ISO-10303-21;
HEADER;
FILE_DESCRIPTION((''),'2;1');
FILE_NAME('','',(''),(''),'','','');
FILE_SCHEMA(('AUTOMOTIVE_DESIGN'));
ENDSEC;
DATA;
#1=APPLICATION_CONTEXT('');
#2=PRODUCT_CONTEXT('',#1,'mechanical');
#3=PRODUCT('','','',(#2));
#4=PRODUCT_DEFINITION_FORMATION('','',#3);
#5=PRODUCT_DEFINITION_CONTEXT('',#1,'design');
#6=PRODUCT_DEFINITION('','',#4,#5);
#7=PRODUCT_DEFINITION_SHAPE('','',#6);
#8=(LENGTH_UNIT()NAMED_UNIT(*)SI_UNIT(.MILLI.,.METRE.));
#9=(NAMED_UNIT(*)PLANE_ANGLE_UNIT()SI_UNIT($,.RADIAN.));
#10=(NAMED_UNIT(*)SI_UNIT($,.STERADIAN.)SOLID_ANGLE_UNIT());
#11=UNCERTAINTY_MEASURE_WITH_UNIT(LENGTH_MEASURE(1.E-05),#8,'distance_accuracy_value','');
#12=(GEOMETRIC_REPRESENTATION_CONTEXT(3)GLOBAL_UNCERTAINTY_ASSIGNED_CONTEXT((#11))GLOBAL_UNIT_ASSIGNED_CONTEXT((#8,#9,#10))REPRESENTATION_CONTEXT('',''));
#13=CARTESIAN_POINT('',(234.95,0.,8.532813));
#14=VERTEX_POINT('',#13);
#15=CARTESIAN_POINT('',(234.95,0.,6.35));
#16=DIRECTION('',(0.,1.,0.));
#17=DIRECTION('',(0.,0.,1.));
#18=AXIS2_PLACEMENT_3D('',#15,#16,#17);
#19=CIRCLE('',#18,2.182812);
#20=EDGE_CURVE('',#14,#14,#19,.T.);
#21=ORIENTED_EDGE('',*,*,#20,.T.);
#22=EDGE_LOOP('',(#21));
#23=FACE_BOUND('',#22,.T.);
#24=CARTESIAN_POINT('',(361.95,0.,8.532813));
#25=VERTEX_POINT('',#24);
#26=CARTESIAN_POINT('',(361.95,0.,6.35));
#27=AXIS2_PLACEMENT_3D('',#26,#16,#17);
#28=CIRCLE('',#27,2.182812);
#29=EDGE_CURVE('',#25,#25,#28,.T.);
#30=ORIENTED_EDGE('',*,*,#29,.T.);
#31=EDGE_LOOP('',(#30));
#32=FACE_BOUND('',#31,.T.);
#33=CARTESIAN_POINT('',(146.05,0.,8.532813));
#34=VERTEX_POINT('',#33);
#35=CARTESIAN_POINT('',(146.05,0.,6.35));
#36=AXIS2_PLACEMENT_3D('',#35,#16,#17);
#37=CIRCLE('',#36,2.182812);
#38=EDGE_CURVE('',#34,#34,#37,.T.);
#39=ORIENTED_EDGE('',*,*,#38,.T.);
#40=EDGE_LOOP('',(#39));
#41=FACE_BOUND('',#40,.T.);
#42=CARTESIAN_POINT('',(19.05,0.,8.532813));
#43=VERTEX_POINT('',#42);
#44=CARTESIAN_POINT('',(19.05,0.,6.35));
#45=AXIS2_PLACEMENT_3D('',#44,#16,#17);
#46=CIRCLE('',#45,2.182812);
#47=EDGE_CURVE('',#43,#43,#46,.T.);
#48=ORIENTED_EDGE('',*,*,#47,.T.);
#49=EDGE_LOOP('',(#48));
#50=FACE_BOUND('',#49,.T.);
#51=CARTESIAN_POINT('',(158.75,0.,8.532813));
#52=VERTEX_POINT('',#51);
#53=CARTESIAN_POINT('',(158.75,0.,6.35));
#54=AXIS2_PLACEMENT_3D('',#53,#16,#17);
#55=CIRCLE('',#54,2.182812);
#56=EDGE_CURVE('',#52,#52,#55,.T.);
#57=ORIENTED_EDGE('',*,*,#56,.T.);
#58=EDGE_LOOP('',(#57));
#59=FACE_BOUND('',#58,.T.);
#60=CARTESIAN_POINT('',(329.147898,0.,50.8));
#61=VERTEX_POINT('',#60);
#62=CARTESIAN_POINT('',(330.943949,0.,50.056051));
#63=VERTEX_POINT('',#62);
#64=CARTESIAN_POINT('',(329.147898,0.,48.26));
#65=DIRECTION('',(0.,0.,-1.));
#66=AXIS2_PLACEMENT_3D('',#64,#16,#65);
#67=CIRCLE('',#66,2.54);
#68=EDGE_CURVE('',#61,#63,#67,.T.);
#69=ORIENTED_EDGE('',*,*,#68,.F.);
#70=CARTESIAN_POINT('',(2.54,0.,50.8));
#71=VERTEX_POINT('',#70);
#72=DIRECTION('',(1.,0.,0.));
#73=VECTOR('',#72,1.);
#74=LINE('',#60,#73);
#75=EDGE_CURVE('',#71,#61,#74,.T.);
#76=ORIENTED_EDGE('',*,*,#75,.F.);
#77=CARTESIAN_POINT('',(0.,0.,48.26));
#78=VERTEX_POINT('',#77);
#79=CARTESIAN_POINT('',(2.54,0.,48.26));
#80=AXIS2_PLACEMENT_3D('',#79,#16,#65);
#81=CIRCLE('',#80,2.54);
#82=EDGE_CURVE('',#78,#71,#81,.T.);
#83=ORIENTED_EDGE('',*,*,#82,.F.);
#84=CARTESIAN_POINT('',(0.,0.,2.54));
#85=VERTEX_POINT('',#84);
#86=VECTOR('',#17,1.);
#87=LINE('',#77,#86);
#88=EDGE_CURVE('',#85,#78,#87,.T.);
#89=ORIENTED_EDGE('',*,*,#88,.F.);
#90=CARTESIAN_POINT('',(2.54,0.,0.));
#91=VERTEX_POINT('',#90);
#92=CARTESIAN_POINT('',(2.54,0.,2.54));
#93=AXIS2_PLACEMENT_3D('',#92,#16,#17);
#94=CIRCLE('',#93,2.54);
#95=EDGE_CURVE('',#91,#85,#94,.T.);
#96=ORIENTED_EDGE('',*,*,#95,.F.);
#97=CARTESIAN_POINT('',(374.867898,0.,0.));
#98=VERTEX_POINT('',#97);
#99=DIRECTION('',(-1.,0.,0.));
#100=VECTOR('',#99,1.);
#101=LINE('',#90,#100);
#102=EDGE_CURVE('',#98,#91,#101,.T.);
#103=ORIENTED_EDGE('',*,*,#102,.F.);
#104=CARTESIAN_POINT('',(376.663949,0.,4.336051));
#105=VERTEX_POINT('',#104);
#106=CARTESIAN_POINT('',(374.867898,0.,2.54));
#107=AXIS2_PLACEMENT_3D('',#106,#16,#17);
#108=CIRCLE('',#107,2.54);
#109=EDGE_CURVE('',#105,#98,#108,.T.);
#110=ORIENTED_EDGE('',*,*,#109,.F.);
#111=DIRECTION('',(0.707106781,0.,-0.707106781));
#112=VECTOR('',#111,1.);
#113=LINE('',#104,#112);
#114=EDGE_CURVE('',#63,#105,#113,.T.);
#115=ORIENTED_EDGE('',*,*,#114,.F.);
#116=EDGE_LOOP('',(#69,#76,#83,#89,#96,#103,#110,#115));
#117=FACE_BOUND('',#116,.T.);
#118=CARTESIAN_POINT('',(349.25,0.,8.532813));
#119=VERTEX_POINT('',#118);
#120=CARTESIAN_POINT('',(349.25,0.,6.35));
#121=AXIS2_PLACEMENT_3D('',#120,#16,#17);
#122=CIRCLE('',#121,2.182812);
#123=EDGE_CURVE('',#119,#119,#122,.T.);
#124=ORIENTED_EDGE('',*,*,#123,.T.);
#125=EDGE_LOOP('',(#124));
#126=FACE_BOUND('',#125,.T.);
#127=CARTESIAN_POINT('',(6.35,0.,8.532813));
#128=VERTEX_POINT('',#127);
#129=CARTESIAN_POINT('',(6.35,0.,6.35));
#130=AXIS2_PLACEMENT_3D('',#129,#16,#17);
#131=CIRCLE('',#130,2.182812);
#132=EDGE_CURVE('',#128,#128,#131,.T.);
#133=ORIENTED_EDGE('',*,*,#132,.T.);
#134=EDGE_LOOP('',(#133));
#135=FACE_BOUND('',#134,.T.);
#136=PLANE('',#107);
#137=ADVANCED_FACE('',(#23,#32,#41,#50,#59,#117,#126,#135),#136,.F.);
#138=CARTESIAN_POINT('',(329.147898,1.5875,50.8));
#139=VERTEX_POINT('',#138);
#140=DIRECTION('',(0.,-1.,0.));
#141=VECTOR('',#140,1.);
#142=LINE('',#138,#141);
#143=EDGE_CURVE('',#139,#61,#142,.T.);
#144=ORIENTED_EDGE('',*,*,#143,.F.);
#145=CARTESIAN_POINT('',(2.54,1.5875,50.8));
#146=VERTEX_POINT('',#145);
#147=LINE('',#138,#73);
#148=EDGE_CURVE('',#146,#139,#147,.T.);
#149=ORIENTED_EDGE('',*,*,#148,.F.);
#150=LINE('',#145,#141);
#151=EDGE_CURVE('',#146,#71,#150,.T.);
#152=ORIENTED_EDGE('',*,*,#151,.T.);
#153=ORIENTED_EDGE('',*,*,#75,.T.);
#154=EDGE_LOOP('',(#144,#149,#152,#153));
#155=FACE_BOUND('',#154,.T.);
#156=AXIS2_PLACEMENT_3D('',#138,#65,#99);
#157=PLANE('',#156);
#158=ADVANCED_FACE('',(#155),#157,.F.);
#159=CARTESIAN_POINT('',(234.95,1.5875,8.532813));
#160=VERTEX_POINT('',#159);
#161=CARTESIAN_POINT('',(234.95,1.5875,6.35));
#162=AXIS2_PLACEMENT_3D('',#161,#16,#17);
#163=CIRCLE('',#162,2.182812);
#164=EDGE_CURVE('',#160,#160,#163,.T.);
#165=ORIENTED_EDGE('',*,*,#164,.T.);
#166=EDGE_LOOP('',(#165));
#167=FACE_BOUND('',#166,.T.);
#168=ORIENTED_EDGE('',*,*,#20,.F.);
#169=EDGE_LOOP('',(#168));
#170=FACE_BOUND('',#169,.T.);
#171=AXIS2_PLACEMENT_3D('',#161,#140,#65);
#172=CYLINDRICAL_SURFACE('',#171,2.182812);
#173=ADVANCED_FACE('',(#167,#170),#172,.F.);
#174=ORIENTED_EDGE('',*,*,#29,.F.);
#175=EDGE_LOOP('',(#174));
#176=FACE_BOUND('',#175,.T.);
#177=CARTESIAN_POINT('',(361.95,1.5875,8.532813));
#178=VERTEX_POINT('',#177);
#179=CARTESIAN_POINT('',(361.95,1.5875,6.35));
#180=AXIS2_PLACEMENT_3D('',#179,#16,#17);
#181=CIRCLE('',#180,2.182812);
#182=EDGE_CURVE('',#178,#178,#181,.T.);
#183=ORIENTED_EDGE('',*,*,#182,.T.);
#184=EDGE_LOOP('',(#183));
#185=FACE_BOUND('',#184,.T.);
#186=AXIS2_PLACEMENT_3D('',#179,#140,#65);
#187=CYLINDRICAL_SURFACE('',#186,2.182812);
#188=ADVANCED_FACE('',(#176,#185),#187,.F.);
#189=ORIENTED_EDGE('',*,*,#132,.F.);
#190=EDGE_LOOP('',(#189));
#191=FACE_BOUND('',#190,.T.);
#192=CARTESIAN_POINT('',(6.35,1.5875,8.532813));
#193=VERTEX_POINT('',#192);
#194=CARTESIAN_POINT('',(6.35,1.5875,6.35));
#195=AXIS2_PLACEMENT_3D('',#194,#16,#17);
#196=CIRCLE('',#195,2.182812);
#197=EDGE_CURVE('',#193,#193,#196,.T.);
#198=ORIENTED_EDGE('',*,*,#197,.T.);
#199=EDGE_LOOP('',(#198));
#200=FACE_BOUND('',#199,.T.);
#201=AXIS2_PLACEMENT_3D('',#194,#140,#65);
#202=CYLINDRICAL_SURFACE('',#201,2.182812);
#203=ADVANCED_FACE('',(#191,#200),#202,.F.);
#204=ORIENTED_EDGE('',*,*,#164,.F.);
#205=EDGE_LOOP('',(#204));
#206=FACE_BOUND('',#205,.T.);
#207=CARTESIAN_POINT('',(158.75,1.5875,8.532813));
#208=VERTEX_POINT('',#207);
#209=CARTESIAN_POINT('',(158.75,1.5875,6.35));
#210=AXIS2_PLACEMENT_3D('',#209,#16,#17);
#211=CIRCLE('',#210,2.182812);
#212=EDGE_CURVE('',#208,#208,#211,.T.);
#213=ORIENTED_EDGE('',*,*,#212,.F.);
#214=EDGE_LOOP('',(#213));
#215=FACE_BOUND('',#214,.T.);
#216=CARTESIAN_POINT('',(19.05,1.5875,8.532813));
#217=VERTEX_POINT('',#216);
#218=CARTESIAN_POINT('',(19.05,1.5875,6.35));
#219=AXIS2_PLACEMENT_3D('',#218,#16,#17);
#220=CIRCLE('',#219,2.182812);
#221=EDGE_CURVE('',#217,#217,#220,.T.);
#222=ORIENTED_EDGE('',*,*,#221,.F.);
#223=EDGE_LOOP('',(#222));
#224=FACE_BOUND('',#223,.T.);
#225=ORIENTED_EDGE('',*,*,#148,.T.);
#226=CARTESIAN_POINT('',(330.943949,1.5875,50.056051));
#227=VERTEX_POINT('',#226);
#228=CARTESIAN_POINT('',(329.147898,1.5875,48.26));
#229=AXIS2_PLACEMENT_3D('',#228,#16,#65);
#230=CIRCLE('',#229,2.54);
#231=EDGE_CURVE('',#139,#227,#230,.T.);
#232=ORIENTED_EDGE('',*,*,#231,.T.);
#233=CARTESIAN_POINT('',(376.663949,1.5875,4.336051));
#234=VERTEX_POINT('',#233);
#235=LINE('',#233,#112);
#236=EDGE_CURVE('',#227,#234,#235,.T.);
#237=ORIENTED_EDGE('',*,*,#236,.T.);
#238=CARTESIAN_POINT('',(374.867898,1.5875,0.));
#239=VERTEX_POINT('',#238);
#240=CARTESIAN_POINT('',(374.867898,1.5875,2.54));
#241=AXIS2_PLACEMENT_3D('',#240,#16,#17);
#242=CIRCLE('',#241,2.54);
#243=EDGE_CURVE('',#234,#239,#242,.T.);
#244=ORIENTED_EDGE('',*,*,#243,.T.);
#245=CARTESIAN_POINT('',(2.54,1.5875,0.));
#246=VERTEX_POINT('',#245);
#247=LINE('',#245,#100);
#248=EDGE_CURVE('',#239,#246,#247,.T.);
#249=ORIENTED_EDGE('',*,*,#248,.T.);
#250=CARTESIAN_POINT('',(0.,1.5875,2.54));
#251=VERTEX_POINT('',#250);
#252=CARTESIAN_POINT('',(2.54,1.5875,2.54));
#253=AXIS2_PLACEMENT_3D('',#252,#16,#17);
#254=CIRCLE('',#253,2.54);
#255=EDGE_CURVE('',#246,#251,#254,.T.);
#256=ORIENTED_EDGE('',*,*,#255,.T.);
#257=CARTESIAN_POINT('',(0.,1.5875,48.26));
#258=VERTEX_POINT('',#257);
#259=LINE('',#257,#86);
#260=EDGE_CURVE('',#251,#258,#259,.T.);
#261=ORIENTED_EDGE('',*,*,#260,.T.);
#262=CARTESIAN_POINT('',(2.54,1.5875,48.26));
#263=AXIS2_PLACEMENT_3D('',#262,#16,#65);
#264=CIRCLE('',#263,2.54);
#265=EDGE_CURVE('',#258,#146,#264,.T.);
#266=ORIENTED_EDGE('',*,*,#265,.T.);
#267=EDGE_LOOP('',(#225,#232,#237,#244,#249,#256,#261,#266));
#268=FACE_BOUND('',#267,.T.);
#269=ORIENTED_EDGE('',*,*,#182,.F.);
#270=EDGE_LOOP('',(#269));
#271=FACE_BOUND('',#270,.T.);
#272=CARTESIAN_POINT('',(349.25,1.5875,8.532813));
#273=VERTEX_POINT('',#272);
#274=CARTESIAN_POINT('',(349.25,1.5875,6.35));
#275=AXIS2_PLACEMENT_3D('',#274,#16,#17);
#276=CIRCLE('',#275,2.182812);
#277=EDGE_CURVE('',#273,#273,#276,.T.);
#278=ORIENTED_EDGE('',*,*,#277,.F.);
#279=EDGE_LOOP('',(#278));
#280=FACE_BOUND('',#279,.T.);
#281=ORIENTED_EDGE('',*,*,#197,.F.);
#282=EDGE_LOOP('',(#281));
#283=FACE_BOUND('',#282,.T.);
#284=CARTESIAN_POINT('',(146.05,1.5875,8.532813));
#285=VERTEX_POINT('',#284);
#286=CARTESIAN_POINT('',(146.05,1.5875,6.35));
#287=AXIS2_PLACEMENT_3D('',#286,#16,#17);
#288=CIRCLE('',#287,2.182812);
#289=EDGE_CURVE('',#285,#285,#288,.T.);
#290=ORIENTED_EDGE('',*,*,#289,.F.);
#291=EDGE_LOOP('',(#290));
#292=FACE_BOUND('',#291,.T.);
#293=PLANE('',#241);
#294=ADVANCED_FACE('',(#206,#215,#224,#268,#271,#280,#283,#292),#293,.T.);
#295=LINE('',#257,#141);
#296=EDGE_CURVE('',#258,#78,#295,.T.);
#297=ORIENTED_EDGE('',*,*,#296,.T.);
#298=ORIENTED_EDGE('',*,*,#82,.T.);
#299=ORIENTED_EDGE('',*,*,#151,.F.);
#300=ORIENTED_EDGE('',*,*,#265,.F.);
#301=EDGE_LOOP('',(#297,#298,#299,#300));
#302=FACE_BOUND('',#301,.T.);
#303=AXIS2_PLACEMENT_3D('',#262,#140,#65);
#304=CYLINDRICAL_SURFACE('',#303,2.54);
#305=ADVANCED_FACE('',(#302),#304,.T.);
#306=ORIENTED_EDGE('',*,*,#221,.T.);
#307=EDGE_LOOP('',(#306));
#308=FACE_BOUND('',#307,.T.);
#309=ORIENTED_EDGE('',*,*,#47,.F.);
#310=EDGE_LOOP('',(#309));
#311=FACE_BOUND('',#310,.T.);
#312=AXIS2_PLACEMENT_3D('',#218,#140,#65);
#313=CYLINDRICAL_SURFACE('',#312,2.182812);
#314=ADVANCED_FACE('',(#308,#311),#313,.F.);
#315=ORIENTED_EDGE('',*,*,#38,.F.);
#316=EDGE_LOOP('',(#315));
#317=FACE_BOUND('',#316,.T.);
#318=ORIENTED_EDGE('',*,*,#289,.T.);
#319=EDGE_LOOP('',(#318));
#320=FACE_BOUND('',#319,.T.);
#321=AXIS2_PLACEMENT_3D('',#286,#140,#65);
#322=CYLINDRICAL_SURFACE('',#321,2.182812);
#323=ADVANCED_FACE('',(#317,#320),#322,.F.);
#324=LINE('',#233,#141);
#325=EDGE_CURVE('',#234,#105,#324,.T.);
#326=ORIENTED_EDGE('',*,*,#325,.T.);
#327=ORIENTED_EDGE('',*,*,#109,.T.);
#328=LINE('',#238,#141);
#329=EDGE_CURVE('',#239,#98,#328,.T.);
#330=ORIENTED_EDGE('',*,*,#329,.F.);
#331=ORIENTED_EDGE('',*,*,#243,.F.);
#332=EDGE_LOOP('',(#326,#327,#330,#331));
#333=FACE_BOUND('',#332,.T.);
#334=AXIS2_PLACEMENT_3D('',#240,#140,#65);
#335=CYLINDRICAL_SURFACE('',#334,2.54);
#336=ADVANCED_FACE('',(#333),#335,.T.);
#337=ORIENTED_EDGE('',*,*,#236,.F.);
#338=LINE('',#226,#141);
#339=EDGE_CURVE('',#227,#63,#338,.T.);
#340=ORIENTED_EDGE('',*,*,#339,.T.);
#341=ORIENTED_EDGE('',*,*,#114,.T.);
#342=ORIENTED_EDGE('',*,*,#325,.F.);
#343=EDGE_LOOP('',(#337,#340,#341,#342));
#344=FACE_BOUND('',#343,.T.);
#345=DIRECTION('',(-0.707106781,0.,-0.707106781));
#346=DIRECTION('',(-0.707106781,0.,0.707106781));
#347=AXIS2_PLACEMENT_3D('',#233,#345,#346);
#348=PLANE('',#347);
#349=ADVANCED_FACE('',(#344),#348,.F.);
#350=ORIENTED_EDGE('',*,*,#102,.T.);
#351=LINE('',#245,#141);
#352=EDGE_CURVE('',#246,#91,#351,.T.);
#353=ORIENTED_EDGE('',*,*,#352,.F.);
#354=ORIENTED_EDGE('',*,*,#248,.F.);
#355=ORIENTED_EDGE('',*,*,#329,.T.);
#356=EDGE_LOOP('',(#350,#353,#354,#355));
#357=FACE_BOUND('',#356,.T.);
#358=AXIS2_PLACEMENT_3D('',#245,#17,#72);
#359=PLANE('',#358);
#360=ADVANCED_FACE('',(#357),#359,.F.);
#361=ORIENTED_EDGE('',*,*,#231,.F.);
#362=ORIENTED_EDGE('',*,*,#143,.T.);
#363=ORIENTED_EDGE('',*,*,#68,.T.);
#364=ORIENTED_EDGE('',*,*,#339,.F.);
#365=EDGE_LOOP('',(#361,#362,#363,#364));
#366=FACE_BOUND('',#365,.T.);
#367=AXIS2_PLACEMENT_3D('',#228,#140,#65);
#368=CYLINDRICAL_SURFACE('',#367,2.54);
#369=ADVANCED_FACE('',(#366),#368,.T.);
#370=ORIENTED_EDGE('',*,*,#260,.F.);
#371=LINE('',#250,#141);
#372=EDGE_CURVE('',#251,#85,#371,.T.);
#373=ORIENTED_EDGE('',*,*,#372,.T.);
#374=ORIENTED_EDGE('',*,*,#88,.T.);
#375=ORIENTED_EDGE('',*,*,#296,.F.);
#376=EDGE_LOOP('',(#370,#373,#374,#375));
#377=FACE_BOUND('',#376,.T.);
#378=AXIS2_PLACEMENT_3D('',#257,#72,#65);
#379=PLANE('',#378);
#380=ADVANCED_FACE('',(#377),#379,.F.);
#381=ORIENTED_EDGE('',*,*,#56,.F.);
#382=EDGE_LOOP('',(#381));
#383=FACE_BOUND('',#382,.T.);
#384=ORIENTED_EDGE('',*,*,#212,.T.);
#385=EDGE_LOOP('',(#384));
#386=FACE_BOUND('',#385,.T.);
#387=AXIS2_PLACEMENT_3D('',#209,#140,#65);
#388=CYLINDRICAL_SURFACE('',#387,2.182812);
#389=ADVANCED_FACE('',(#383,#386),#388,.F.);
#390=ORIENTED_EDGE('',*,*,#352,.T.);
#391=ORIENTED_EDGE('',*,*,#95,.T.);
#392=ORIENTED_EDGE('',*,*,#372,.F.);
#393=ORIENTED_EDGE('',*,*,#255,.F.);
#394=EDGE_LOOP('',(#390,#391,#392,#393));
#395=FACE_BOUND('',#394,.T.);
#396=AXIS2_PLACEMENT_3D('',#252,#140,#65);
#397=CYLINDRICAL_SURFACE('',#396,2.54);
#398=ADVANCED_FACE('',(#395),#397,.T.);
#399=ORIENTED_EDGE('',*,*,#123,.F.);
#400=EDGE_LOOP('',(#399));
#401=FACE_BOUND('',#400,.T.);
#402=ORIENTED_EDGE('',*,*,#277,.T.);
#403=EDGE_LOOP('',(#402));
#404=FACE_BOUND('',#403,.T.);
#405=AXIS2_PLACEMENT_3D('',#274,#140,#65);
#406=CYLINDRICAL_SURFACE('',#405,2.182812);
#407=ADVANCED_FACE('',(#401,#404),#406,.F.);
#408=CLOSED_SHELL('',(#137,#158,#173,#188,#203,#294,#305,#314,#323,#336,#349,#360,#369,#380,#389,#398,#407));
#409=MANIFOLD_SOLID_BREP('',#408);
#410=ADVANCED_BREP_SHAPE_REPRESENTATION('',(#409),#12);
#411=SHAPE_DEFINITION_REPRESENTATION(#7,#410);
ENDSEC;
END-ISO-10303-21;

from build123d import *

# Parameters (mm, degrees)
SKETCH1_R           = 2.1828125
BOSS_EXTRUDE1_DEPTH = 1.5875


with BuildPart() as part:
    # Sketch1 → Boss-Extrude1 (new body)
    with BuildSketch(Plane(origin=(0, 0, 0), x_dir=(1, 0, 0), z_dir=(0, 1, 0))):
        with BuildLine():
            Line((2.54, 0), (374.867897552, 0))
            ThreePointArc((374.867897552, 0), (377.214551564, -1.567984082), (376.663948776, -4.336051224))
            Line((376.663948776, -4.336051224), (330.943948776, -50.056051224))
            ThreePointArc((330.943948776, -50.056051224), (330.11991347, -50.606654013), (329.147897552, -50.8))
            Line((329.147897552, -50.8), (2.54, -50.8))
            ThreePointArc((2.54, -50.8), (0.743948776, -50.056051224), (0, -48.26))
            Line((0, -48.26), (0, -2.54))
            ThreePointArc((0, -2.54), (0.743948776, -0.743948776), (2.54, 0))
        make_face()
        with Locations((6.35, -6.35)):
            Circle(SKETCH1_R, mode=Mode.SUBTRACT)
        with Locations((19.05, -6.35)):
            Circle(SKETCH1_R, mode=Mode.SUBTRACT)
        with Locations((146.05, -6.35)):
            Circle(SKETCH1_R, mode=Mode.SUBTRACT)
        with Locations((158.75, -6.35)):
            Circle(SKETCH1_R, mode=Mode.SUBTRACT)
        with Locations((349.25, -6.35)):
            Circle(SKETCH1_R, mode=Mode.SUBTRACT)
        with Locations((361.95, -6.35)):
            Circle(SKETCH1_R, mode=Mode.SUBTRACT)
        with Locations((234.95, -6.35)):
            Circle(SKETCH1_R, mode=Mode.SUBTRACT)
    extrude(amount=BOSS_EXTRUDE1_DEPTH)


solid = part.part
